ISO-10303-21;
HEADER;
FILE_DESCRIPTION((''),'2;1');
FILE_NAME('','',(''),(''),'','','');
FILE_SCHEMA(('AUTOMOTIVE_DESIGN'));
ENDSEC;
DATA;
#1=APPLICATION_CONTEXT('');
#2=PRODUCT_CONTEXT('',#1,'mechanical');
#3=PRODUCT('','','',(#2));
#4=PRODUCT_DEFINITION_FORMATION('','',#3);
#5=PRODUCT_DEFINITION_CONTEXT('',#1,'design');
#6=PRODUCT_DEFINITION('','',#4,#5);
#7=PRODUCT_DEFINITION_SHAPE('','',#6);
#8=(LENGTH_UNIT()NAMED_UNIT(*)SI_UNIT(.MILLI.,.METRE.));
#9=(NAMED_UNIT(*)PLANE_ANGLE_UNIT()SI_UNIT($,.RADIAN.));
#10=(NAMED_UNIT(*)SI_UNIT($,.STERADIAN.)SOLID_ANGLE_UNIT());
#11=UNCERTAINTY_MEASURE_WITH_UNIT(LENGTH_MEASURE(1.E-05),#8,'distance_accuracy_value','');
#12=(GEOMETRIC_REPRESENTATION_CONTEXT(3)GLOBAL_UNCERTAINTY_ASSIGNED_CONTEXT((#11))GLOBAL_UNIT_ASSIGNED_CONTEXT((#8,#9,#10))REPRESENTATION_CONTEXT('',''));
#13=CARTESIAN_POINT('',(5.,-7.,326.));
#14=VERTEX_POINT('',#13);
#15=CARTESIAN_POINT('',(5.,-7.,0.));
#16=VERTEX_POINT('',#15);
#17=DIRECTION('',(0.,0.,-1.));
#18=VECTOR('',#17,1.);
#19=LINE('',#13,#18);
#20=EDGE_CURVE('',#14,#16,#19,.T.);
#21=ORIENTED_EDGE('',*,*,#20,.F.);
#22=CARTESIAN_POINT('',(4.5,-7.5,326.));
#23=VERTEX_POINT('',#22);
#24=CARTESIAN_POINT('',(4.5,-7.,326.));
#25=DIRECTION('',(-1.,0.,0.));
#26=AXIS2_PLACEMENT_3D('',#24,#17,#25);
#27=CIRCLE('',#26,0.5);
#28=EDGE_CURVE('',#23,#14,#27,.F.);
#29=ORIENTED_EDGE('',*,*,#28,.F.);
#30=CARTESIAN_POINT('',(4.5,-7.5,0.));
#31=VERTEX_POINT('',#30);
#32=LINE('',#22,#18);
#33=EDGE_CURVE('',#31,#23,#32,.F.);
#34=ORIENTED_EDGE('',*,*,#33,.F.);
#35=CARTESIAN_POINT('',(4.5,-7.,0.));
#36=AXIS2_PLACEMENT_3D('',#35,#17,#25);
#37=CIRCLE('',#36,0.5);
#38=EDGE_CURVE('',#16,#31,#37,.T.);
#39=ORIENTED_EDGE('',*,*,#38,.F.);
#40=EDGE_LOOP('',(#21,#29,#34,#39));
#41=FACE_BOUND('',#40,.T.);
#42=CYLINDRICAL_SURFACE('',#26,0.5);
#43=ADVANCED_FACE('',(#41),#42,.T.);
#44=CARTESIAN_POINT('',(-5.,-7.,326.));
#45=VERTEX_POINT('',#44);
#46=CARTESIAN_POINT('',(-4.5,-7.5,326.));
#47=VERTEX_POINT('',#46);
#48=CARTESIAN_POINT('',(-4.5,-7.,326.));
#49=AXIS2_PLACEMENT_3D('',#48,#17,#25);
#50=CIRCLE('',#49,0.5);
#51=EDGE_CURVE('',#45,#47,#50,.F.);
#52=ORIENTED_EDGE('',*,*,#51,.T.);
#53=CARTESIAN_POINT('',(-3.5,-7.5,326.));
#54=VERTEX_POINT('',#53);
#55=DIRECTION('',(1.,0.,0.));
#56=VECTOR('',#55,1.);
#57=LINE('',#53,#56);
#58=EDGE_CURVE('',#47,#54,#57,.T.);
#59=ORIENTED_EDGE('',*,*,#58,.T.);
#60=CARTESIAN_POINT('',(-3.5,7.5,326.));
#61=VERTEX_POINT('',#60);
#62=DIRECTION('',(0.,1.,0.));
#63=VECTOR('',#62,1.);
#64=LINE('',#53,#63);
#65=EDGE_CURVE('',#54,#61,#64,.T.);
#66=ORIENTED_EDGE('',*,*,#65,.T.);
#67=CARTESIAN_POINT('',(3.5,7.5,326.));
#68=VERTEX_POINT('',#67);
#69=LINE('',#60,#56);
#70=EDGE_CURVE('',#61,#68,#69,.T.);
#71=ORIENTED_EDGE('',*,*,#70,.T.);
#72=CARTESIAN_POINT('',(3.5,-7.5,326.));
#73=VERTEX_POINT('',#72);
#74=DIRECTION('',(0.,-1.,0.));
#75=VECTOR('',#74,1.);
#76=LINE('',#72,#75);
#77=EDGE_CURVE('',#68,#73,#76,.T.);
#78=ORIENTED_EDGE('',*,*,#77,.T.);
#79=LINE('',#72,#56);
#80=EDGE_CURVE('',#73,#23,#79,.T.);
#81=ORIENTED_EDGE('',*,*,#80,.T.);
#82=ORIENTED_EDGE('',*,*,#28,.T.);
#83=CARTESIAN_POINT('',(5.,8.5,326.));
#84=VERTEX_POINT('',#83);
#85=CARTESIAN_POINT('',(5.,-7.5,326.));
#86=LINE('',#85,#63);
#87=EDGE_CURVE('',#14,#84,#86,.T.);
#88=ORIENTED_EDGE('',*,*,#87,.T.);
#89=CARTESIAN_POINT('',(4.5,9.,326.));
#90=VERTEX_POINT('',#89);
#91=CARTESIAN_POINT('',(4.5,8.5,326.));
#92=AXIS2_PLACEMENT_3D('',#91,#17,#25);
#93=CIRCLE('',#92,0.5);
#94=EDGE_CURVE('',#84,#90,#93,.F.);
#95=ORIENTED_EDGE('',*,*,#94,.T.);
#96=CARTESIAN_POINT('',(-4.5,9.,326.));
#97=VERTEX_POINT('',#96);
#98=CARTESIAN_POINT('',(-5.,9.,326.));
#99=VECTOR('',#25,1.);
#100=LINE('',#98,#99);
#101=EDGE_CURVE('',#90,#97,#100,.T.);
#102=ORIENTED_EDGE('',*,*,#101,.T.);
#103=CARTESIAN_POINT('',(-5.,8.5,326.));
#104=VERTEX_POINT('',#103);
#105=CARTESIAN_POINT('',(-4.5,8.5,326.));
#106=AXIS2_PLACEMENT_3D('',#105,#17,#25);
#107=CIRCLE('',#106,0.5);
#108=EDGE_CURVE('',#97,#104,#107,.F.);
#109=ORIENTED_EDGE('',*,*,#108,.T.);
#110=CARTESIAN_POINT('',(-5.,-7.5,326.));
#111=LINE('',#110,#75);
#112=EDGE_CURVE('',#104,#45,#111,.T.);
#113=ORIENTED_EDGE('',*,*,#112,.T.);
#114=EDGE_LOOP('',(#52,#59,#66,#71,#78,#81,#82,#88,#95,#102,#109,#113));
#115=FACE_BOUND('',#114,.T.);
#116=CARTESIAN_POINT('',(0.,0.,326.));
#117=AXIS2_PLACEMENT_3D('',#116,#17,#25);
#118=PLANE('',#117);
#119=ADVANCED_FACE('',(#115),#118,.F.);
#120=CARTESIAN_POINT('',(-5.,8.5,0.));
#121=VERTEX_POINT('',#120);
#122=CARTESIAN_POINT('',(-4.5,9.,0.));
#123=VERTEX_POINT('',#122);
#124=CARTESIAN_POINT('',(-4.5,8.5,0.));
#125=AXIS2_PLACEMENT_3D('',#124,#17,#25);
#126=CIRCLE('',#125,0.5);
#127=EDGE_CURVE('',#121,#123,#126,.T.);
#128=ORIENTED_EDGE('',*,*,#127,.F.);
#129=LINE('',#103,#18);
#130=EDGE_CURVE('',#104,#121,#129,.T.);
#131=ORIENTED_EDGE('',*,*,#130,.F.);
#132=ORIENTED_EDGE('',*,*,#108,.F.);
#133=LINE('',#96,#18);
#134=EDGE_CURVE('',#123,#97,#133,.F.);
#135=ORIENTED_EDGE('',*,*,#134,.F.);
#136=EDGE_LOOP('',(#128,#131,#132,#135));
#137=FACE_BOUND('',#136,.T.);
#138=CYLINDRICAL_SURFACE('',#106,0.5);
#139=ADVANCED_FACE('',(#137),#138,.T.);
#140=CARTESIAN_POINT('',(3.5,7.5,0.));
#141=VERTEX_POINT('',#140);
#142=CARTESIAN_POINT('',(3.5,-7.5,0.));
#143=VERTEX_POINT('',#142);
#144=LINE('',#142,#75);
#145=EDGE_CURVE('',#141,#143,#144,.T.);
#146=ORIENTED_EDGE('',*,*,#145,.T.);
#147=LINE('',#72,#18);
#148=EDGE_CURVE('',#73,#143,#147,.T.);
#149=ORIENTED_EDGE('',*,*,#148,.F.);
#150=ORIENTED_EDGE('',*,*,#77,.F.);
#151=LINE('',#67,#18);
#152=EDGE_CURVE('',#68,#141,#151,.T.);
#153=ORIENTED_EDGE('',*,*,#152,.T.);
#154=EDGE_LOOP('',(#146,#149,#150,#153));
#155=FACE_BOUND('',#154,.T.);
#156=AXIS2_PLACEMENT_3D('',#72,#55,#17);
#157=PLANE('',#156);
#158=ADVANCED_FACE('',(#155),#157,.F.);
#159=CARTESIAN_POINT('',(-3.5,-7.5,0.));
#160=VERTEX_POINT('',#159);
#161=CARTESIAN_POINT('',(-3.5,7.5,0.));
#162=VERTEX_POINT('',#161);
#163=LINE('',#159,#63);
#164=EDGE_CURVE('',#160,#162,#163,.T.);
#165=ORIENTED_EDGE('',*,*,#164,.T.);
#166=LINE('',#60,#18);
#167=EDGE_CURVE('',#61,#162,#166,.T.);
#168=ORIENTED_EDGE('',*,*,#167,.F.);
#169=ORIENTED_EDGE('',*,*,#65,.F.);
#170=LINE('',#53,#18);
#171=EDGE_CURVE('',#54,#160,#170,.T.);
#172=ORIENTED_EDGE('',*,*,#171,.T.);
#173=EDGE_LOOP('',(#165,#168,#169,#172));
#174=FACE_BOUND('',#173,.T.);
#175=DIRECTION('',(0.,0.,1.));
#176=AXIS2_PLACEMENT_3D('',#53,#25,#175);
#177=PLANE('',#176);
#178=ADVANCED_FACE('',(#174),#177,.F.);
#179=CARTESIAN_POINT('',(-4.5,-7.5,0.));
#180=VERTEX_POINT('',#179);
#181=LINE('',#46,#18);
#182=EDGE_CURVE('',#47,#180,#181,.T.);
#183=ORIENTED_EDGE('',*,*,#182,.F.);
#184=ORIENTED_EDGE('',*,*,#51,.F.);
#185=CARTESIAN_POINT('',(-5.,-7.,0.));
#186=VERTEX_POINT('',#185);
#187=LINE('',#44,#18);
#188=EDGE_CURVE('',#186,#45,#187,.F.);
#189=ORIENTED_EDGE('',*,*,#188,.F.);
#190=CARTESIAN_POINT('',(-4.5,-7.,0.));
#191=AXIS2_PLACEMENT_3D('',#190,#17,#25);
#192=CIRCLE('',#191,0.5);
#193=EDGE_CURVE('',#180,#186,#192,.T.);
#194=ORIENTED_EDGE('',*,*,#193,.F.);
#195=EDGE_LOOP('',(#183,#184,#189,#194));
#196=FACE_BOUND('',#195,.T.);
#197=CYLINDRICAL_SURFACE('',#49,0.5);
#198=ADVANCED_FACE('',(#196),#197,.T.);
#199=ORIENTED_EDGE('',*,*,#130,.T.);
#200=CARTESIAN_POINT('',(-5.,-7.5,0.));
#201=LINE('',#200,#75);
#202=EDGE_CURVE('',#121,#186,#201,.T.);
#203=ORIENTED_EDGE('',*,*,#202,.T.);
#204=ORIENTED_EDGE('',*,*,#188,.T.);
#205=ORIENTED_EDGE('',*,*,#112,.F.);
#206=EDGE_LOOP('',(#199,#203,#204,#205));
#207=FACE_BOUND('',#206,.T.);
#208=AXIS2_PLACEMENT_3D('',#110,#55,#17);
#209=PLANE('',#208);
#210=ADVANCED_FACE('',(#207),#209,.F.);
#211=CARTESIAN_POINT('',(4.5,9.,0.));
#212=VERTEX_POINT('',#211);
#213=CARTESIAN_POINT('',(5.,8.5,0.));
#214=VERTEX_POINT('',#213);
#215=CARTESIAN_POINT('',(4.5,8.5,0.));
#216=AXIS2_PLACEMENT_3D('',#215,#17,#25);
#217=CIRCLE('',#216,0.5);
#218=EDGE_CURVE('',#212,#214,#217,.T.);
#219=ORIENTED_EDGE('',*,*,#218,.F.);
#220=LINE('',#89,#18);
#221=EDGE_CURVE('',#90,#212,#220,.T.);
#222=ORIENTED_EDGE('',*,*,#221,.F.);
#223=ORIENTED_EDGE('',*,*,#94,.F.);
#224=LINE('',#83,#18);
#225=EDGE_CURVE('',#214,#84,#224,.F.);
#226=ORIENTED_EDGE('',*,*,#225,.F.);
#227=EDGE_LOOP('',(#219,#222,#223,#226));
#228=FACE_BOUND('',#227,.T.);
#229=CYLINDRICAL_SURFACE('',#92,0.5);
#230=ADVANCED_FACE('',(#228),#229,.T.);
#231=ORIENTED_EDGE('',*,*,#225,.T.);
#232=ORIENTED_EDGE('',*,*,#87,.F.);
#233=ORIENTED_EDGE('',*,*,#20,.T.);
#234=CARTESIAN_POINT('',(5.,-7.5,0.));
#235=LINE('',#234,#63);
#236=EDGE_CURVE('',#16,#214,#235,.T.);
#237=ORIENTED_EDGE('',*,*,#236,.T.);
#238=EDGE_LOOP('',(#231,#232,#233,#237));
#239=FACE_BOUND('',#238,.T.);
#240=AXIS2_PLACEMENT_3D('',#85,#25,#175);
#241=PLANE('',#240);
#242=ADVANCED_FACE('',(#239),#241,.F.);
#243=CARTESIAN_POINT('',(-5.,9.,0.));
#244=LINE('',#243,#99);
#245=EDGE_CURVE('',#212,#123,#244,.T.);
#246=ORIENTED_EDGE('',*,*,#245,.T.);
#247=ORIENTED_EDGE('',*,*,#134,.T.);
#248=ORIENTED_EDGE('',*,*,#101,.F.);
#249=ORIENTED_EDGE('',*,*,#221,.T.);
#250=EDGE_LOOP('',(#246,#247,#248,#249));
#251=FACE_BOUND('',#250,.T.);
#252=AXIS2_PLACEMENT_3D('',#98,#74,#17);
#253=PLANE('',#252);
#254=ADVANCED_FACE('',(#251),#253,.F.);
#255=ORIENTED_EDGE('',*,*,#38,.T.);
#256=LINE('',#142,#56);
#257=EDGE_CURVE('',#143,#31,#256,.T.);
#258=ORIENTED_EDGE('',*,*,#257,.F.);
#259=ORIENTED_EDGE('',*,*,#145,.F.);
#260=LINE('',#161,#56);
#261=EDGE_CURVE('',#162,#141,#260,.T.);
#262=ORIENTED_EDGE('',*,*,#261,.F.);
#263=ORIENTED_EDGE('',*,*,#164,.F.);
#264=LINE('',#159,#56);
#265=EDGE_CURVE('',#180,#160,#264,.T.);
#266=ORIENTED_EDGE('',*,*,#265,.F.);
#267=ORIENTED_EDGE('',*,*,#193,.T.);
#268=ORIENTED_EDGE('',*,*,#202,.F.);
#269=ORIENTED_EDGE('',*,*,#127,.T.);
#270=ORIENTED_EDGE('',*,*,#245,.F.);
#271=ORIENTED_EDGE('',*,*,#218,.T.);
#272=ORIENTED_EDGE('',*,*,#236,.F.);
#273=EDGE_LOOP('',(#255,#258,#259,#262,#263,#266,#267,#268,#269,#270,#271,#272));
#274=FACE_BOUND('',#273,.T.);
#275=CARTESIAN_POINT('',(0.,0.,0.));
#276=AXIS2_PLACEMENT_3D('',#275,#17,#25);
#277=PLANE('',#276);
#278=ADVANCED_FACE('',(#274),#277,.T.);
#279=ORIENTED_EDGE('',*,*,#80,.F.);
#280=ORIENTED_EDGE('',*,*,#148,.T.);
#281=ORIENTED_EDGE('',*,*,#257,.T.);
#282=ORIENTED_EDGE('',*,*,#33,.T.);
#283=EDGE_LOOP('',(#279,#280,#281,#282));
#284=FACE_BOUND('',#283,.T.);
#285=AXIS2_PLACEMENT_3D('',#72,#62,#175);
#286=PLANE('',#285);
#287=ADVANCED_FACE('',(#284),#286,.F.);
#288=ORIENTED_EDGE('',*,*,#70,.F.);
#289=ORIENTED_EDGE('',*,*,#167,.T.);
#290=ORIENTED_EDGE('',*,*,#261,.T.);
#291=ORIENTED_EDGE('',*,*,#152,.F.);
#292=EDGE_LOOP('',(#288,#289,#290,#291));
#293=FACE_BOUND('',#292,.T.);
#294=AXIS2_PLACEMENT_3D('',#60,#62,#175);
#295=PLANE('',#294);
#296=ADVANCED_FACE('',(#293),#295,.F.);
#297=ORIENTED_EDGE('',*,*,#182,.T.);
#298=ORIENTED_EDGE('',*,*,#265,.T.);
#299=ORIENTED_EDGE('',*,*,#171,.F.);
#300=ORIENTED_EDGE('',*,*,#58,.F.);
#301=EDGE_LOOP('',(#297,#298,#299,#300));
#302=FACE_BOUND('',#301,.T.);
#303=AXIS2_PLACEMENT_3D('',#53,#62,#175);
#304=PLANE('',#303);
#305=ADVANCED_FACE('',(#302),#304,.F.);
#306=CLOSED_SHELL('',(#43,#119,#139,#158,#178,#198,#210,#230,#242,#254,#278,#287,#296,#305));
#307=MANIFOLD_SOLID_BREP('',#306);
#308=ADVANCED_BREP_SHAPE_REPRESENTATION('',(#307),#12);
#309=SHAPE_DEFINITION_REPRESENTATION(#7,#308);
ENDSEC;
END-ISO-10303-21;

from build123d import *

# Parameters (mm, degrees)
BOSS_EXTRUDE1_DEPTH = 326
FILLET1_R           = 0.5


with BuildPart() as part:
    # Sketch1 → Boss-Extrude1 (new body)
    with BuildSketch(Plane.XY):
        Polygon((-5, -7.5), (-5, 9), (5, 9), (5, -7.5), (3.5, -7.5), (3.5, 7.5), (-3.5, 7.5), (-3.5, -7.5), align=None)
    extrude(amount=BOSS_EXTRUDE1_DEPTH)

    # Fillet1
    fillet1_edges = [part.edges().sort_by_distance(p)[0] for p in [
        (-5, -7.5, 163),
        (-5, 9, 163),
        (5, 9, 163),
        (5, -7.5, 163),
    ]]
    fillet(fillet1_edges, radius=FILLET1_R)


solid = part.part
